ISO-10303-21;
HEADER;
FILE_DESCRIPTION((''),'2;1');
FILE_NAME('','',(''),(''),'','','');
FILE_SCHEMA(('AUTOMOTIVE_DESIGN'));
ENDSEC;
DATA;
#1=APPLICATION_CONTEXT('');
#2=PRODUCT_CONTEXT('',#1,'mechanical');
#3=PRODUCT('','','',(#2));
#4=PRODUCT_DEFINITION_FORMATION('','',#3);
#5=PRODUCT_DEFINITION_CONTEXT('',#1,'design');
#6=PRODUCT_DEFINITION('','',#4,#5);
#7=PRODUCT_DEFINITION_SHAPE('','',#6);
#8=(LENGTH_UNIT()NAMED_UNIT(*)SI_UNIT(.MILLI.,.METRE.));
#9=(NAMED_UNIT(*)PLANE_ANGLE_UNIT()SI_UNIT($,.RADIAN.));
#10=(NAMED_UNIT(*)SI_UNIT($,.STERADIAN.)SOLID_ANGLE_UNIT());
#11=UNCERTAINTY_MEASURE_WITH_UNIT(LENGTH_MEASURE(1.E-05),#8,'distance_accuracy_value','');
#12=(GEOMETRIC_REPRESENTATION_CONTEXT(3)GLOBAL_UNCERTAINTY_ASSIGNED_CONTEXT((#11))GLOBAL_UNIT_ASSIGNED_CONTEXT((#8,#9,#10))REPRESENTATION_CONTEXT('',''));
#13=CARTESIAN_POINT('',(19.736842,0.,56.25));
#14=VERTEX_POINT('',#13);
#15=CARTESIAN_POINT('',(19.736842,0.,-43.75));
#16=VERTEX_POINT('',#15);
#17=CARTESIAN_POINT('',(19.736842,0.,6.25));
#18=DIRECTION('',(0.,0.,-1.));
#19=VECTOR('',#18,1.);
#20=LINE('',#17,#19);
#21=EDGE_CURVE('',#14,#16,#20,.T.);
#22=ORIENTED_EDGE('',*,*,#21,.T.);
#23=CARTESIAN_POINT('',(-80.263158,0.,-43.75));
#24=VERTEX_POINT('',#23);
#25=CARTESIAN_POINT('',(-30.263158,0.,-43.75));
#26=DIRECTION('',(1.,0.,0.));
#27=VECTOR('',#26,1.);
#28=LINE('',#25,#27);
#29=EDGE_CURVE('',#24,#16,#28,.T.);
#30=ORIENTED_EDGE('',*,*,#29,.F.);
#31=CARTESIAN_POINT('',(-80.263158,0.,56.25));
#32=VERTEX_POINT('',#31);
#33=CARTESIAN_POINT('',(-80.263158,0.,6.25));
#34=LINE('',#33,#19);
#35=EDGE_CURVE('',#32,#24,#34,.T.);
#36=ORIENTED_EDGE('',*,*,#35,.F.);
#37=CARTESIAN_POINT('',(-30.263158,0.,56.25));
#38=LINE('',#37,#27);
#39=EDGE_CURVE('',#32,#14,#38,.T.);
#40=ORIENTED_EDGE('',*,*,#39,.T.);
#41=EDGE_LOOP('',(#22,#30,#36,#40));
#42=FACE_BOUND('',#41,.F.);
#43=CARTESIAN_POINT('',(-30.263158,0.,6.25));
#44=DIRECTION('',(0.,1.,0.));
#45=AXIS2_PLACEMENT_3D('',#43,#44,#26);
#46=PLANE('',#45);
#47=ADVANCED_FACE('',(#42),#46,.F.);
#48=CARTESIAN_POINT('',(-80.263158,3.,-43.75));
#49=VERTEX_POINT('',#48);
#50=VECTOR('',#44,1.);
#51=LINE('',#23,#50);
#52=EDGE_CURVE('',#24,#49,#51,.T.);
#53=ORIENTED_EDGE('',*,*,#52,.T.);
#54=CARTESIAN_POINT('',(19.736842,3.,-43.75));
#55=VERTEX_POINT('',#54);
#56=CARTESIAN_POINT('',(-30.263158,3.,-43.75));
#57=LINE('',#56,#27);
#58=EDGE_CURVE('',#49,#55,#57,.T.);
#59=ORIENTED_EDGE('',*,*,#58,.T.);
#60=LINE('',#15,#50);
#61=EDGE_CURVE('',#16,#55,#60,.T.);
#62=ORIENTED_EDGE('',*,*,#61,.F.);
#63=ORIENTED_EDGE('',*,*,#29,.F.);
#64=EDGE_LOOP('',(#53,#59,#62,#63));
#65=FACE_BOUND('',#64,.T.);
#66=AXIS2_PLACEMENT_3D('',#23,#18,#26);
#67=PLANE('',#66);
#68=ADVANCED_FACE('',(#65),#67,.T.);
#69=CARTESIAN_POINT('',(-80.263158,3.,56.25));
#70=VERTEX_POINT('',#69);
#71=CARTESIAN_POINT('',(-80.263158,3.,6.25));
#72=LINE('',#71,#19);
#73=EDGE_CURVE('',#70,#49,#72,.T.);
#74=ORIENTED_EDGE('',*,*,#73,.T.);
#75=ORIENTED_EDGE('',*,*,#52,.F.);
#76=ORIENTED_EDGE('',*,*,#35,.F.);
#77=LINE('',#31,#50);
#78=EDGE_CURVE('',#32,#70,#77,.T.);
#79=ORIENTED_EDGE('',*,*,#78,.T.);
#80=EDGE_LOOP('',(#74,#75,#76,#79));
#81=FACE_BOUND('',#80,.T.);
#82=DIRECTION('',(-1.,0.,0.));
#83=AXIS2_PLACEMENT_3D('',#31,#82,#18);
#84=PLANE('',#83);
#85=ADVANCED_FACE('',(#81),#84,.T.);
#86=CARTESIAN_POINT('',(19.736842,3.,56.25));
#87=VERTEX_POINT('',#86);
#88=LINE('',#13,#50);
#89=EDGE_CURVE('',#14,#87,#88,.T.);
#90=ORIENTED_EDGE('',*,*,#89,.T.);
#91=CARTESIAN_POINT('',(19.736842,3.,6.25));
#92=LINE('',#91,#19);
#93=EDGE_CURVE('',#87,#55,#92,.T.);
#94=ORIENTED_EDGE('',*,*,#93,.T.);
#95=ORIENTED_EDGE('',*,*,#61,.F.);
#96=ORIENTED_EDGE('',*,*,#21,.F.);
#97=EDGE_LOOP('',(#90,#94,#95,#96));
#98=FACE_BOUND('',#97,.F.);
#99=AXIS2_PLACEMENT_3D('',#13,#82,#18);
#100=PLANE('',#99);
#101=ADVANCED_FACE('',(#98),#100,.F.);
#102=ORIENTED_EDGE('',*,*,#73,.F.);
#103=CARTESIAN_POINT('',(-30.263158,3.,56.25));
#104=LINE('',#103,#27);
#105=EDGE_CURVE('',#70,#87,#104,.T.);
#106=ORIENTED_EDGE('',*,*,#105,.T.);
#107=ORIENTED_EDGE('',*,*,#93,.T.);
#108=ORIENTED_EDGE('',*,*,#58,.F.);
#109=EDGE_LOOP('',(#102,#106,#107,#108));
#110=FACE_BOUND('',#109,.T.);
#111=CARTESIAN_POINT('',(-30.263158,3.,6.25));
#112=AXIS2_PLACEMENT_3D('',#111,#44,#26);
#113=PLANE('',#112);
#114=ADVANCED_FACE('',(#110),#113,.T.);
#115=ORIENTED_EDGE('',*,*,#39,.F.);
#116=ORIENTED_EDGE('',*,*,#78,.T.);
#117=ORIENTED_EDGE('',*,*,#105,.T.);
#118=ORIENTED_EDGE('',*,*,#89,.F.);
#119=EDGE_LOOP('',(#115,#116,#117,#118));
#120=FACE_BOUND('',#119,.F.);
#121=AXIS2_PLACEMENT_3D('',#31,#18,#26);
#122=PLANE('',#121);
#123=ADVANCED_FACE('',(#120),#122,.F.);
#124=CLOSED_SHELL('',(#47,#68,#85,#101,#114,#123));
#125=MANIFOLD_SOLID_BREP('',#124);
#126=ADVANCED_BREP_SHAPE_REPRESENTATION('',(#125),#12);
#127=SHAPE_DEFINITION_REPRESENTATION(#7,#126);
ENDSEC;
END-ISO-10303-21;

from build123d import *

# Parameters (mm, degrees)
SKETCH_1_W      = 100
SKETCH_1_H      = 100
EXTRUDE_1_DEPTH = 3


with BuildPart() as part:
    # Эскиз1 → Бобышка-Вытянуть1 (new body)
    with BuildSketch(Plane(origin=(0, 0, 0), x_dir=(1, 0, 0), z_dir=(0, 1, 0))):
        with Locations((-30.263157895, -6.25)):
            Rectangle(SKETCH_1_W, SKETCH_1_H)
    extrude(amount=EXTRUDE_1_DEPTH)


solid = part.part
